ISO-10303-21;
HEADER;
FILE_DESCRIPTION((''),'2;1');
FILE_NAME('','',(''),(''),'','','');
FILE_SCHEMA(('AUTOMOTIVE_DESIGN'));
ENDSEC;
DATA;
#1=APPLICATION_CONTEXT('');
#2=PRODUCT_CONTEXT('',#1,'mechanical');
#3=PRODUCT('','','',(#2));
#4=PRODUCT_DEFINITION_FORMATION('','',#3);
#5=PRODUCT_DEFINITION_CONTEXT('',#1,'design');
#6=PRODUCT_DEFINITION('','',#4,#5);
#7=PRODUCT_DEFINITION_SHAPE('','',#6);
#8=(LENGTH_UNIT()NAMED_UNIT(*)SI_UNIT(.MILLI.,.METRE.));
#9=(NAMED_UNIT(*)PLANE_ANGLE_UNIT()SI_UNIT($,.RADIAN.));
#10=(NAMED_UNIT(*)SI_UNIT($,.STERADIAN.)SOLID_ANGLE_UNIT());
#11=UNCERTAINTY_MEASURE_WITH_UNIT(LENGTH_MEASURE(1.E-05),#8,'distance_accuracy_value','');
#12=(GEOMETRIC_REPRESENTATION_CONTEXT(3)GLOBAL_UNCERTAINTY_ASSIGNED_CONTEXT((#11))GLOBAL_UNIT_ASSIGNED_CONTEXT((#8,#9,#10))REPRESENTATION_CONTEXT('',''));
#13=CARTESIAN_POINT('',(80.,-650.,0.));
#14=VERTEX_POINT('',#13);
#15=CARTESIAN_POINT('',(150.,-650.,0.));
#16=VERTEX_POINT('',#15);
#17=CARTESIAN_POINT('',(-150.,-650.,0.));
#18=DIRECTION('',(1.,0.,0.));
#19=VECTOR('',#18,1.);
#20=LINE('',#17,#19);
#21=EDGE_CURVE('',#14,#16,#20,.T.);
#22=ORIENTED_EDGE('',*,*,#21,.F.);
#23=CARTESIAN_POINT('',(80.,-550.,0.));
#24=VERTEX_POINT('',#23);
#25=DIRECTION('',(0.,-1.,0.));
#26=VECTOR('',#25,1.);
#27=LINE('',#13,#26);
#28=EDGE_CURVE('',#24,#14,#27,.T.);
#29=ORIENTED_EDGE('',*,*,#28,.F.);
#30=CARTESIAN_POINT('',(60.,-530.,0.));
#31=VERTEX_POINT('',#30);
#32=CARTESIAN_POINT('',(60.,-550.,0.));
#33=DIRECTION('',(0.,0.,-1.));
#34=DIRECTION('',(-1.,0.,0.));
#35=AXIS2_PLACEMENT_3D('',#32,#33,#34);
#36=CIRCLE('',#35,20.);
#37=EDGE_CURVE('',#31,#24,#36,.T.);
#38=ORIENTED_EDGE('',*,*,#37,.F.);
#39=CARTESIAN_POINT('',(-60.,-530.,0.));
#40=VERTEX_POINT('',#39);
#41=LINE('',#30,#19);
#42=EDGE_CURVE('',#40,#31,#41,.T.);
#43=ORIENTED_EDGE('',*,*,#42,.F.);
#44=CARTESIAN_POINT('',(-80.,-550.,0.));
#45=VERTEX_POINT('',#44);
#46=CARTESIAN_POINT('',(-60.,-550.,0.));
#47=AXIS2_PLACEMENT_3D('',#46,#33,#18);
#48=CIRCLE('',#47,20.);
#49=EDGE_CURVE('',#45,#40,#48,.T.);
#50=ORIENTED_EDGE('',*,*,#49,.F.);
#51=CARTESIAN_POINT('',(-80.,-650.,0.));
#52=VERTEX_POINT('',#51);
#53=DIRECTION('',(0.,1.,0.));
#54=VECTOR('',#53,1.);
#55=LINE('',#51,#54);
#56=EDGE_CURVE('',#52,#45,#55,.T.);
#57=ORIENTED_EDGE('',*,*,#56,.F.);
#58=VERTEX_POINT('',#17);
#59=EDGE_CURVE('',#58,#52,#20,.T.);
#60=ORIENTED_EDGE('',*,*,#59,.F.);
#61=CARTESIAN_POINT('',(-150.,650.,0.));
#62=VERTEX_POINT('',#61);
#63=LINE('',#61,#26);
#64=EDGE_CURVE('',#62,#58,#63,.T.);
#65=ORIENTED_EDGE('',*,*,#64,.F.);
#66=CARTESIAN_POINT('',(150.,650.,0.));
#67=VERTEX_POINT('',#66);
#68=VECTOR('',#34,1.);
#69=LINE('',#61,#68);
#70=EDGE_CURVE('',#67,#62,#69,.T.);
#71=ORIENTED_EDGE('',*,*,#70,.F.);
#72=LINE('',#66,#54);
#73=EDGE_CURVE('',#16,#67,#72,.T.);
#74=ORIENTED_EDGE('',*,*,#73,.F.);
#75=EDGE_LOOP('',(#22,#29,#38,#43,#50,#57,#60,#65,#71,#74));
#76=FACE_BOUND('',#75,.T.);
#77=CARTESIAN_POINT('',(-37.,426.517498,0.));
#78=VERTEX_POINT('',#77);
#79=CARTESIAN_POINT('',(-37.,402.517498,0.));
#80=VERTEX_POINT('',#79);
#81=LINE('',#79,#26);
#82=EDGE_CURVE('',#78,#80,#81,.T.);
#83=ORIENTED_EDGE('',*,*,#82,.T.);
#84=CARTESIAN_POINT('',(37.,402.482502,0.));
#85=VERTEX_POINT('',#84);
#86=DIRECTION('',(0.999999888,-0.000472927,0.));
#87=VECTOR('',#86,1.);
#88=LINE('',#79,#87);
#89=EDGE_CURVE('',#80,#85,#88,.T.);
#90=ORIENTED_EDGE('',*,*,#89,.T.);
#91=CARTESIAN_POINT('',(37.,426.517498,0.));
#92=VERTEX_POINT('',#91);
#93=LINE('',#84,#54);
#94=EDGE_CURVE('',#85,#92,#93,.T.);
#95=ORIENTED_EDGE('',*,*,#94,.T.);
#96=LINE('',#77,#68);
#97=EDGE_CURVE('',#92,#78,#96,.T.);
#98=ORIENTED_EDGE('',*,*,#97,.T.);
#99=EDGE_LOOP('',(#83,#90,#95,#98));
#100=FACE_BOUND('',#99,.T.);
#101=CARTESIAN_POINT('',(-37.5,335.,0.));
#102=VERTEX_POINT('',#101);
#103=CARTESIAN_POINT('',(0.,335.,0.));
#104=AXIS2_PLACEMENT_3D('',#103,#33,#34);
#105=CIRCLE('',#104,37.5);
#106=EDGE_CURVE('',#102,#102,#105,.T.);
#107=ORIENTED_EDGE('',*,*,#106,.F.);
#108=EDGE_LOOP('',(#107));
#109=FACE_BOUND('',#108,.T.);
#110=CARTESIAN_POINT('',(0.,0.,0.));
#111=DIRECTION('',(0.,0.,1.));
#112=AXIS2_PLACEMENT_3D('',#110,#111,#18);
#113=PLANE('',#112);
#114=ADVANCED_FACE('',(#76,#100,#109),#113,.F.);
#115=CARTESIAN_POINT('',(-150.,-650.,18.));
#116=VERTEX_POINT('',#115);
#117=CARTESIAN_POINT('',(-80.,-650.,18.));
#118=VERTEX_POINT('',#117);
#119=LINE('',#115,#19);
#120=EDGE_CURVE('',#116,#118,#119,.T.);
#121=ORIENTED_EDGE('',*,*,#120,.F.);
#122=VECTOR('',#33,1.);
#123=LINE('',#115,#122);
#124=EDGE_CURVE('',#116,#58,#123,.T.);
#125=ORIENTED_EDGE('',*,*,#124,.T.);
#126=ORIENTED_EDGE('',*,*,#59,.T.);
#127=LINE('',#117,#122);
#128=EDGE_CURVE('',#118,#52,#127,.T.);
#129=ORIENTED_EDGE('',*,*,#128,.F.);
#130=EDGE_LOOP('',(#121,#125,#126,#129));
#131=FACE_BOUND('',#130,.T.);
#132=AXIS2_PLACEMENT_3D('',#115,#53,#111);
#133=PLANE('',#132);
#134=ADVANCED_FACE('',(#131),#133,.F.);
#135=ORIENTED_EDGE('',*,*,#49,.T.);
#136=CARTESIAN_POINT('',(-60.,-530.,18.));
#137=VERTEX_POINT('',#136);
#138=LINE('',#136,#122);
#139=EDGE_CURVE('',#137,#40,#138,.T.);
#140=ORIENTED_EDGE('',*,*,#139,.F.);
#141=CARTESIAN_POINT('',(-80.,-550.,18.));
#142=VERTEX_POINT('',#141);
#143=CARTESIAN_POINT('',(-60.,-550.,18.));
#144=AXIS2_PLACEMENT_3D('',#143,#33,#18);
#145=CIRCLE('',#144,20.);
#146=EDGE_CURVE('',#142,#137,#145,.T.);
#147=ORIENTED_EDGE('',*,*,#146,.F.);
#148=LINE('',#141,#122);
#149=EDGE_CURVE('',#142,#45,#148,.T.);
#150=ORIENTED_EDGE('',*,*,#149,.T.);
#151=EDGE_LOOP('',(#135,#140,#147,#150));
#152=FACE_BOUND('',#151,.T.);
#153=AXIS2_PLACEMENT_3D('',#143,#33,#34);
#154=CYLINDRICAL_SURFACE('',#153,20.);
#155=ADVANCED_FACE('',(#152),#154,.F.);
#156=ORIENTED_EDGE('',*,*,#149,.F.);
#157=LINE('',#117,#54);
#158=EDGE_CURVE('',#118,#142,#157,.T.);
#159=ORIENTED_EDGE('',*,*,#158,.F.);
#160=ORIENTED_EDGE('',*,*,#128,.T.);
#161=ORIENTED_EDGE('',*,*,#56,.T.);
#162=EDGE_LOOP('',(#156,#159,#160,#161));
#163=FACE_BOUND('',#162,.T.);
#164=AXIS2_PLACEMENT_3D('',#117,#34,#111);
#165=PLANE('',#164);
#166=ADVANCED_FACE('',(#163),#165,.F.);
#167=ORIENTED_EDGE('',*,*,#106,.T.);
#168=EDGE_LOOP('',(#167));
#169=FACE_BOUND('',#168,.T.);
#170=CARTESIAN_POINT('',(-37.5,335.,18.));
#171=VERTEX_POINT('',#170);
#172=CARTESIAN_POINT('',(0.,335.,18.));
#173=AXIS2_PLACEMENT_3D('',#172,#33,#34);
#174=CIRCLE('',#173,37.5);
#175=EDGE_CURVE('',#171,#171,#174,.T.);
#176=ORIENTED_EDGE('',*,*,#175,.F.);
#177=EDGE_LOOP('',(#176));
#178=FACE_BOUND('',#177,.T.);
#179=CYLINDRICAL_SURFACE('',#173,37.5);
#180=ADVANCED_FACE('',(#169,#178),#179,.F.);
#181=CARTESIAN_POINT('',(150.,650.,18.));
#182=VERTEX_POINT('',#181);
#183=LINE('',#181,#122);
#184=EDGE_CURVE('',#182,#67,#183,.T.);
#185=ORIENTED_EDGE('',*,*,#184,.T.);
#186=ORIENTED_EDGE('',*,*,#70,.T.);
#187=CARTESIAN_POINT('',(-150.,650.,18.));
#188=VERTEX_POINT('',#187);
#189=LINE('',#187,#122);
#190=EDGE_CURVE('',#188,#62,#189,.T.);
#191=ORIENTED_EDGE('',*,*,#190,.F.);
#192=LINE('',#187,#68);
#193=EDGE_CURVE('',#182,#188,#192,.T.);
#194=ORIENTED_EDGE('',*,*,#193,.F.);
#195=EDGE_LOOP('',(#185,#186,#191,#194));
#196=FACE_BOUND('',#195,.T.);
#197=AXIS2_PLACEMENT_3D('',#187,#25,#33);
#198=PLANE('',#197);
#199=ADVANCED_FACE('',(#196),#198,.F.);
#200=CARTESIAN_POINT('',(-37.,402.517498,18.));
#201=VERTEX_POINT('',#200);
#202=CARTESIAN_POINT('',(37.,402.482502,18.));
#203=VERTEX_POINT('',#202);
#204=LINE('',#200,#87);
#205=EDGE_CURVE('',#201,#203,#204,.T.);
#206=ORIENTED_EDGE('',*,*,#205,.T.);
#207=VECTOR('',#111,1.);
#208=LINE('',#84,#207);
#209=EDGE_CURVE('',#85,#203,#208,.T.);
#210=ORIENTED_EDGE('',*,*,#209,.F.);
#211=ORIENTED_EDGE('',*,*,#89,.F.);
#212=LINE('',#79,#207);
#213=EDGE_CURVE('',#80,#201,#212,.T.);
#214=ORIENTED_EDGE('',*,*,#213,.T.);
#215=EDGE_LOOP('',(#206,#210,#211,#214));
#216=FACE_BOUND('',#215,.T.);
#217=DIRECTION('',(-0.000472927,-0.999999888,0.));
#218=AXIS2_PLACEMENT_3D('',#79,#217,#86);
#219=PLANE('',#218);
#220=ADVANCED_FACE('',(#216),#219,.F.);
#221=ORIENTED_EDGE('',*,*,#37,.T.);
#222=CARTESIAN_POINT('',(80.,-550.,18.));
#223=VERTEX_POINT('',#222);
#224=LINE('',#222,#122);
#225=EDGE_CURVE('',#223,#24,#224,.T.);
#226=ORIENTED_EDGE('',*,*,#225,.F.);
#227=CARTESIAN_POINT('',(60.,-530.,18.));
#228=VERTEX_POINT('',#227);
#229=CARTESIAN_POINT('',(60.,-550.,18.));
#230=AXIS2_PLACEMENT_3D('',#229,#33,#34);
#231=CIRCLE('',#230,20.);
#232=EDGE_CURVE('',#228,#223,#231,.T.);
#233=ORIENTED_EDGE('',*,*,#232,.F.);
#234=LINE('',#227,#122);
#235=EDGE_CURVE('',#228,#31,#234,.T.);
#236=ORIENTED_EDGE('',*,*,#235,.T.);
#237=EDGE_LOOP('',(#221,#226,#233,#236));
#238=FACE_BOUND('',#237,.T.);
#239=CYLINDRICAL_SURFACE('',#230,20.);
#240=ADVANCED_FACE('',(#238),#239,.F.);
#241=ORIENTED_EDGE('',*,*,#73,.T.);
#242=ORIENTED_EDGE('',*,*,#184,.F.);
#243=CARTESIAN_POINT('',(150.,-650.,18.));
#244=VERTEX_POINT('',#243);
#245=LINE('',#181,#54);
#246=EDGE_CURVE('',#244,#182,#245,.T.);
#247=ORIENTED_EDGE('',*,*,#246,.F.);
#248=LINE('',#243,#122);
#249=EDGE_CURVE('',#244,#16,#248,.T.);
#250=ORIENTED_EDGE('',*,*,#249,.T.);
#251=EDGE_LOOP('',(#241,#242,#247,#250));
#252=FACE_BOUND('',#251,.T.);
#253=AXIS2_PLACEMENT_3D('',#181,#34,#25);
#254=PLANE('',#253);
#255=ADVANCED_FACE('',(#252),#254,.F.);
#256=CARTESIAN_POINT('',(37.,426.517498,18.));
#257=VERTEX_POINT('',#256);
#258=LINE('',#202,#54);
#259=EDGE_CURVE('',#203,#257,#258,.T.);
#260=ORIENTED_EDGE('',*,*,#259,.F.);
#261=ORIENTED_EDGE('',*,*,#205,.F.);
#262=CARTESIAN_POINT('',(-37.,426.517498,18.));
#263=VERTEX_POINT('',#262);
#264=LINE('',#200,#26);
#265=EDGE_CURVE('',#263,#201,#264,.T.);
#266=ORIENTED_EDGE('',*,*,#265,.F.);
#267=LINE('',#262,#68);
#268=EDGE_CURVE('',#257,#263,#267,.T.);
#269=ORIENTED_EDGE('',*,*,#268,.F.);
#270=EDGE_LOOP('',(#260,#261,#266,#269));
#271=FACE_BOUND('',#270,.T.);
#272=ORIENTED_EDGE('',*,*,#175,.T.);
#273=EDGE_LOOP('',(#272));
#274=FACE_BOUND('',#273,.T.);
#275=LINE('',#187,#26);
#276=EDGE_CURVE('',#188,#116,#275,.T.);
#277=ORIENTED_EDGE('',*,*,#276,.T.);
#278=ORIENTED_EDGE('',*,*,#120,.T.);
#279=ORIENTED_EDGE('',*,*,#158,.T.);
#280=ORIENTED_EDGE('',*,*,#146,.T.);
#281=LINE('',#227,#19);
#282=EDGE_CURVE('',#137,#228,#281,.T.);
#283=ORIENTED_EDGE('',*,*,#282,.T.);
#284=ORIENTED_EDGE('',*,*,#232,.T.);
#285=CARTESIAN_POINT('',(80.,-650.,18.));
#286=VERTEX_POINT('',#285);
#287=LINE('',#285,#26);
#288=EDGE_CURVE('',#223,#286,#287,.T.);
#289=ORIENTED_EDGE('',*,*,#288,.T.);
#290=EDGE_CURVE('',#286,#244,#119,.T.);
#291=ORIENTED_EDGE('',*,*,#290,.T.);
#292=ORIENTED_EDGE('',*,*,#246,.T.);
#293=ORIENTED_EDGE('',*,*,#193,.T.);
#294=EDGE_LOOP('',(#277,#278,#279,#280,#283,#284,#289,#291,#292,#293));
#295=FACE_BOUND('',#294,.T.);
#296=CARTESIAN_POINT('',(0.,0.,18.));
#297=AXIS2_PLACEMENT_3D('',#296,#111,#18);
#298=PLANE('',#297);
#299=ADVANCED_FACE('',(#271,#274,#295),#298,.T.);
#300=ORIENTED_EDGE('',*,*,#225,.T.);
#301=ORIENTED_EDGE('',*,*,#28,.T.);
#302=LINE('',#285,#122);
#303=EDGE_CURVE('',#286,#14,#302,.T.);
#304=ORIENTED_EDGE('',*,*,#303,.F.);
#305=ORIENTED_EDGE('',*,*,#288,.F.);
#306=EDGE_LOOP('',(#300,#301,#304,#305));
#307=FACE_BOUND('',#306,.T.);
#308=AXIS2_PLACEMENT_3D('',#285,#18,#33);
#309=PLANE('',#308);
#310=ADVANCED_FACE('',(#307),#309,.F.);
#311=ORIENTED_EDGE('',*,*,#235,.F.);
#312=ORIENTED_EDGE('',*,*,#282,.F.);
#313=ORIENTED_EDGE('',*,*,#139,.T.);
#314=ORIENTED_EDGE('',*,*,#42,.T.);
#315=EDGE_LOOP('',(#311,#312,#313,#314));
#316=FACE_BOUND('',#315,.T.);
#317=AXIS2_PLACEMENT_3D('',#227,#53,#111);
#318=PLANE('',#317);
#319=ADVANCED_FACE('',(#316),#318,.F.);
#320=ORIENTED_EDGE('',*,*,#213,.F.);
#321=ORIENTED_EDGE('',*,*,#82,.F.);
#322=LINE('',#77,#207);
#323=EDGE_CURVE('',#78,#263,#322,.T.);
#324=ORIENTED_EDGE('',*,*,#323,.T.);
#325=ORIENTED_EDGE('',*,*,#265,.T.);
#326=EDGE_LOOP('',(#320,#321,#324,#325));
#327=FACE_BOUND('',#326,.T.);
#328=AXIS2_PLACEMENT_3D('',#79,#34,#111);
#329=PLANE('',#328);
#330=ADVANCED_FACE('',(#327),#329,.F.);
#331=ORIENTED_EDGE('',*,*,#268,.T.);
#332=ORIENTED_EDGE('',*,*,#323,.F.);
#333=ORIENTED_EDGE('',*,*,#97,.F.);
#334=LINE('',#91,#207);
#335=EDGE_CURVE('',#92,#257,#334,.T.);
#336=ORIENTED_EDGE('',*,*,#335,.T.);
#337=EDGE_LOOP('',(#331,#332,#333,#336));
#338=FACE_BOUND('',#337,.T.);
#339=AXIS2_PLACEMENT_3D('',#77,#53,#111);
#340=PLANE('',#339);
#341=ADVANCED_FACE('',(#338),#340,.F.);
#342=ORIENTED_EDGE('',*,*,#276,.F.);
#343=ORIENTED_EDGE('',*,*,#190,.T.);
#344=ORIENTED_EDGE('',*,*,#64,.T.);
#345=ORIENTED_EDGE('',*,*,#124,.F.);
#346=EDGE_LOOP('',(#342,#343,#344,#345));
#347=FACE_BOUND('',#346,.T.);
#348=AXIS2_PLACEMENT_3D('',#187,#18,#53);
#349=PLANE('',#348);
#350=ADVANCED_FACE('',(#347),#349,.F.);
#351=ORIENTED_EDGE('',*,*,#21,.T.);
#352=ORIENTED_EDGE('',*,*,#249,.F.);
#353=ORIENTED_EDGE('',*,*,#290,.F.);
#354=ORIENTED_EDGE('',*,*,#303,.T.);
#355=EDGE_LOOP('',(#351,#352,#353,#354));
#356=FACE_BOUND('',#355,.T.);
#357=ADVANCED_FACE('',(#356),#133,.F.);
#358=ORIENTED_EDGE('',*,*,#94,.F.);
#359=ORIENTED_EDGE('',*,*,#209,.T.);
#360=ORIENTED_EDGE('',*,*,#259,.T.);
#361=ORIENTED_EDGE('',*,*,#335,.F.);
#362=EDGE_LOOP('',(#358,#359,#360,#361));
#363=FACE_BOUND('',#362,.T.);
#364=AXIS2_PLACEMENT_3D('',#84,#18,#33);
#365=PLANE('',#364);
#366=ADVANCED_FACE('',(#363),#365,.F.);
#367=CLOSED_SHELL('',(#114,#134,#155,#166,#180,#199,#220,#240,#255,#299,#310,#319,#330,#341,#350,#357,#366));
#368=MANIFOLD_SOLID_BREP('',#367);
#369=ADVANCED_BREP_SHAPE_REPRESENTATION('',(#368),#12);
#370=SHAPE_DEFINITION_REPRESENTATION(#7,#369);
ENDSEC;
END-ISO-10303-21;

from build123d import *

# Parameters (mm, degrees)
ESBO_O1_W                = 300
ESBO_O1_H                = 1300
RESSALTO_EXTRUS_O1_DEPTH = 18
CORTE_EXTRUS_O1_DEPTH    = 668.326007286
ESBO_O3_R                = 37.5
CORTE_EXTRUS_O2_DEPTH    = 668.326007286
CORTE_EXTRUS_O3_DEPTH    = 668.326007286


with BuildPart() as part:
    # Esboço1 → Ressalto-extrusão1 (new body)
    with BuildSketch(Plane.XY):
        Rectangle(ESBO_O1_W, ESBO_O1_H)
    extrude(amount=RESSALTO_EXTRUS_O1_DEPTH)

    # Esboço2 → Corte-extrusão1 (cut, through all)
    with BuildSketch(Plane(origin=(0, 0, 0), x_dir=(-1, 0, 0), z_dir=(0, 0, -1))):
        with BuildLine():
            Line((-80, -650), (80, -650))
            Line((80, -650), (80, -550))
            ThreePointArc((80, -550), (74.142135624, -535.857864376), (60, -530))
            Line((60, -530), (-60, -530))
            ThreePointArc((-60, -530), (-74.142135624, -535.857864376), (-80, -550))
            Line((-80, -550), (-80, -650))
        make_face()
    extrude(amount=-CORTE_EXTRUS_O1_DEPTH, mode=Mode.SUBTRACT)

    # Esboço3 → Corte-extrusão2 (cut, through all)
    with BuildSketch(Plane(origin=(0, 0, 0), x_dir=(-1, 0, 0), z_dir=(0, 0, -1))):
        with Locations((0, 335)):
            Circle(ESBO_O3_R)
    extrude(amount=-CORTE_EXTRUS_O2_DEPTH, mode=Mode.SUBTRACT)

    # Esboço4 → Corte-extrusão3 (cut, through all)
    with BuildSketch(Plane.XY.offset(18)):
        Polygon((-37, 402.517498316), (37, 402.482501684), (37, 426.517498316), (-37, 426.517498316), align=None)
    extrude(amount=-CORTE_EXTRUS_O3_DEPTH, mode=Mode.SUBTRACT)


solid = part.part
